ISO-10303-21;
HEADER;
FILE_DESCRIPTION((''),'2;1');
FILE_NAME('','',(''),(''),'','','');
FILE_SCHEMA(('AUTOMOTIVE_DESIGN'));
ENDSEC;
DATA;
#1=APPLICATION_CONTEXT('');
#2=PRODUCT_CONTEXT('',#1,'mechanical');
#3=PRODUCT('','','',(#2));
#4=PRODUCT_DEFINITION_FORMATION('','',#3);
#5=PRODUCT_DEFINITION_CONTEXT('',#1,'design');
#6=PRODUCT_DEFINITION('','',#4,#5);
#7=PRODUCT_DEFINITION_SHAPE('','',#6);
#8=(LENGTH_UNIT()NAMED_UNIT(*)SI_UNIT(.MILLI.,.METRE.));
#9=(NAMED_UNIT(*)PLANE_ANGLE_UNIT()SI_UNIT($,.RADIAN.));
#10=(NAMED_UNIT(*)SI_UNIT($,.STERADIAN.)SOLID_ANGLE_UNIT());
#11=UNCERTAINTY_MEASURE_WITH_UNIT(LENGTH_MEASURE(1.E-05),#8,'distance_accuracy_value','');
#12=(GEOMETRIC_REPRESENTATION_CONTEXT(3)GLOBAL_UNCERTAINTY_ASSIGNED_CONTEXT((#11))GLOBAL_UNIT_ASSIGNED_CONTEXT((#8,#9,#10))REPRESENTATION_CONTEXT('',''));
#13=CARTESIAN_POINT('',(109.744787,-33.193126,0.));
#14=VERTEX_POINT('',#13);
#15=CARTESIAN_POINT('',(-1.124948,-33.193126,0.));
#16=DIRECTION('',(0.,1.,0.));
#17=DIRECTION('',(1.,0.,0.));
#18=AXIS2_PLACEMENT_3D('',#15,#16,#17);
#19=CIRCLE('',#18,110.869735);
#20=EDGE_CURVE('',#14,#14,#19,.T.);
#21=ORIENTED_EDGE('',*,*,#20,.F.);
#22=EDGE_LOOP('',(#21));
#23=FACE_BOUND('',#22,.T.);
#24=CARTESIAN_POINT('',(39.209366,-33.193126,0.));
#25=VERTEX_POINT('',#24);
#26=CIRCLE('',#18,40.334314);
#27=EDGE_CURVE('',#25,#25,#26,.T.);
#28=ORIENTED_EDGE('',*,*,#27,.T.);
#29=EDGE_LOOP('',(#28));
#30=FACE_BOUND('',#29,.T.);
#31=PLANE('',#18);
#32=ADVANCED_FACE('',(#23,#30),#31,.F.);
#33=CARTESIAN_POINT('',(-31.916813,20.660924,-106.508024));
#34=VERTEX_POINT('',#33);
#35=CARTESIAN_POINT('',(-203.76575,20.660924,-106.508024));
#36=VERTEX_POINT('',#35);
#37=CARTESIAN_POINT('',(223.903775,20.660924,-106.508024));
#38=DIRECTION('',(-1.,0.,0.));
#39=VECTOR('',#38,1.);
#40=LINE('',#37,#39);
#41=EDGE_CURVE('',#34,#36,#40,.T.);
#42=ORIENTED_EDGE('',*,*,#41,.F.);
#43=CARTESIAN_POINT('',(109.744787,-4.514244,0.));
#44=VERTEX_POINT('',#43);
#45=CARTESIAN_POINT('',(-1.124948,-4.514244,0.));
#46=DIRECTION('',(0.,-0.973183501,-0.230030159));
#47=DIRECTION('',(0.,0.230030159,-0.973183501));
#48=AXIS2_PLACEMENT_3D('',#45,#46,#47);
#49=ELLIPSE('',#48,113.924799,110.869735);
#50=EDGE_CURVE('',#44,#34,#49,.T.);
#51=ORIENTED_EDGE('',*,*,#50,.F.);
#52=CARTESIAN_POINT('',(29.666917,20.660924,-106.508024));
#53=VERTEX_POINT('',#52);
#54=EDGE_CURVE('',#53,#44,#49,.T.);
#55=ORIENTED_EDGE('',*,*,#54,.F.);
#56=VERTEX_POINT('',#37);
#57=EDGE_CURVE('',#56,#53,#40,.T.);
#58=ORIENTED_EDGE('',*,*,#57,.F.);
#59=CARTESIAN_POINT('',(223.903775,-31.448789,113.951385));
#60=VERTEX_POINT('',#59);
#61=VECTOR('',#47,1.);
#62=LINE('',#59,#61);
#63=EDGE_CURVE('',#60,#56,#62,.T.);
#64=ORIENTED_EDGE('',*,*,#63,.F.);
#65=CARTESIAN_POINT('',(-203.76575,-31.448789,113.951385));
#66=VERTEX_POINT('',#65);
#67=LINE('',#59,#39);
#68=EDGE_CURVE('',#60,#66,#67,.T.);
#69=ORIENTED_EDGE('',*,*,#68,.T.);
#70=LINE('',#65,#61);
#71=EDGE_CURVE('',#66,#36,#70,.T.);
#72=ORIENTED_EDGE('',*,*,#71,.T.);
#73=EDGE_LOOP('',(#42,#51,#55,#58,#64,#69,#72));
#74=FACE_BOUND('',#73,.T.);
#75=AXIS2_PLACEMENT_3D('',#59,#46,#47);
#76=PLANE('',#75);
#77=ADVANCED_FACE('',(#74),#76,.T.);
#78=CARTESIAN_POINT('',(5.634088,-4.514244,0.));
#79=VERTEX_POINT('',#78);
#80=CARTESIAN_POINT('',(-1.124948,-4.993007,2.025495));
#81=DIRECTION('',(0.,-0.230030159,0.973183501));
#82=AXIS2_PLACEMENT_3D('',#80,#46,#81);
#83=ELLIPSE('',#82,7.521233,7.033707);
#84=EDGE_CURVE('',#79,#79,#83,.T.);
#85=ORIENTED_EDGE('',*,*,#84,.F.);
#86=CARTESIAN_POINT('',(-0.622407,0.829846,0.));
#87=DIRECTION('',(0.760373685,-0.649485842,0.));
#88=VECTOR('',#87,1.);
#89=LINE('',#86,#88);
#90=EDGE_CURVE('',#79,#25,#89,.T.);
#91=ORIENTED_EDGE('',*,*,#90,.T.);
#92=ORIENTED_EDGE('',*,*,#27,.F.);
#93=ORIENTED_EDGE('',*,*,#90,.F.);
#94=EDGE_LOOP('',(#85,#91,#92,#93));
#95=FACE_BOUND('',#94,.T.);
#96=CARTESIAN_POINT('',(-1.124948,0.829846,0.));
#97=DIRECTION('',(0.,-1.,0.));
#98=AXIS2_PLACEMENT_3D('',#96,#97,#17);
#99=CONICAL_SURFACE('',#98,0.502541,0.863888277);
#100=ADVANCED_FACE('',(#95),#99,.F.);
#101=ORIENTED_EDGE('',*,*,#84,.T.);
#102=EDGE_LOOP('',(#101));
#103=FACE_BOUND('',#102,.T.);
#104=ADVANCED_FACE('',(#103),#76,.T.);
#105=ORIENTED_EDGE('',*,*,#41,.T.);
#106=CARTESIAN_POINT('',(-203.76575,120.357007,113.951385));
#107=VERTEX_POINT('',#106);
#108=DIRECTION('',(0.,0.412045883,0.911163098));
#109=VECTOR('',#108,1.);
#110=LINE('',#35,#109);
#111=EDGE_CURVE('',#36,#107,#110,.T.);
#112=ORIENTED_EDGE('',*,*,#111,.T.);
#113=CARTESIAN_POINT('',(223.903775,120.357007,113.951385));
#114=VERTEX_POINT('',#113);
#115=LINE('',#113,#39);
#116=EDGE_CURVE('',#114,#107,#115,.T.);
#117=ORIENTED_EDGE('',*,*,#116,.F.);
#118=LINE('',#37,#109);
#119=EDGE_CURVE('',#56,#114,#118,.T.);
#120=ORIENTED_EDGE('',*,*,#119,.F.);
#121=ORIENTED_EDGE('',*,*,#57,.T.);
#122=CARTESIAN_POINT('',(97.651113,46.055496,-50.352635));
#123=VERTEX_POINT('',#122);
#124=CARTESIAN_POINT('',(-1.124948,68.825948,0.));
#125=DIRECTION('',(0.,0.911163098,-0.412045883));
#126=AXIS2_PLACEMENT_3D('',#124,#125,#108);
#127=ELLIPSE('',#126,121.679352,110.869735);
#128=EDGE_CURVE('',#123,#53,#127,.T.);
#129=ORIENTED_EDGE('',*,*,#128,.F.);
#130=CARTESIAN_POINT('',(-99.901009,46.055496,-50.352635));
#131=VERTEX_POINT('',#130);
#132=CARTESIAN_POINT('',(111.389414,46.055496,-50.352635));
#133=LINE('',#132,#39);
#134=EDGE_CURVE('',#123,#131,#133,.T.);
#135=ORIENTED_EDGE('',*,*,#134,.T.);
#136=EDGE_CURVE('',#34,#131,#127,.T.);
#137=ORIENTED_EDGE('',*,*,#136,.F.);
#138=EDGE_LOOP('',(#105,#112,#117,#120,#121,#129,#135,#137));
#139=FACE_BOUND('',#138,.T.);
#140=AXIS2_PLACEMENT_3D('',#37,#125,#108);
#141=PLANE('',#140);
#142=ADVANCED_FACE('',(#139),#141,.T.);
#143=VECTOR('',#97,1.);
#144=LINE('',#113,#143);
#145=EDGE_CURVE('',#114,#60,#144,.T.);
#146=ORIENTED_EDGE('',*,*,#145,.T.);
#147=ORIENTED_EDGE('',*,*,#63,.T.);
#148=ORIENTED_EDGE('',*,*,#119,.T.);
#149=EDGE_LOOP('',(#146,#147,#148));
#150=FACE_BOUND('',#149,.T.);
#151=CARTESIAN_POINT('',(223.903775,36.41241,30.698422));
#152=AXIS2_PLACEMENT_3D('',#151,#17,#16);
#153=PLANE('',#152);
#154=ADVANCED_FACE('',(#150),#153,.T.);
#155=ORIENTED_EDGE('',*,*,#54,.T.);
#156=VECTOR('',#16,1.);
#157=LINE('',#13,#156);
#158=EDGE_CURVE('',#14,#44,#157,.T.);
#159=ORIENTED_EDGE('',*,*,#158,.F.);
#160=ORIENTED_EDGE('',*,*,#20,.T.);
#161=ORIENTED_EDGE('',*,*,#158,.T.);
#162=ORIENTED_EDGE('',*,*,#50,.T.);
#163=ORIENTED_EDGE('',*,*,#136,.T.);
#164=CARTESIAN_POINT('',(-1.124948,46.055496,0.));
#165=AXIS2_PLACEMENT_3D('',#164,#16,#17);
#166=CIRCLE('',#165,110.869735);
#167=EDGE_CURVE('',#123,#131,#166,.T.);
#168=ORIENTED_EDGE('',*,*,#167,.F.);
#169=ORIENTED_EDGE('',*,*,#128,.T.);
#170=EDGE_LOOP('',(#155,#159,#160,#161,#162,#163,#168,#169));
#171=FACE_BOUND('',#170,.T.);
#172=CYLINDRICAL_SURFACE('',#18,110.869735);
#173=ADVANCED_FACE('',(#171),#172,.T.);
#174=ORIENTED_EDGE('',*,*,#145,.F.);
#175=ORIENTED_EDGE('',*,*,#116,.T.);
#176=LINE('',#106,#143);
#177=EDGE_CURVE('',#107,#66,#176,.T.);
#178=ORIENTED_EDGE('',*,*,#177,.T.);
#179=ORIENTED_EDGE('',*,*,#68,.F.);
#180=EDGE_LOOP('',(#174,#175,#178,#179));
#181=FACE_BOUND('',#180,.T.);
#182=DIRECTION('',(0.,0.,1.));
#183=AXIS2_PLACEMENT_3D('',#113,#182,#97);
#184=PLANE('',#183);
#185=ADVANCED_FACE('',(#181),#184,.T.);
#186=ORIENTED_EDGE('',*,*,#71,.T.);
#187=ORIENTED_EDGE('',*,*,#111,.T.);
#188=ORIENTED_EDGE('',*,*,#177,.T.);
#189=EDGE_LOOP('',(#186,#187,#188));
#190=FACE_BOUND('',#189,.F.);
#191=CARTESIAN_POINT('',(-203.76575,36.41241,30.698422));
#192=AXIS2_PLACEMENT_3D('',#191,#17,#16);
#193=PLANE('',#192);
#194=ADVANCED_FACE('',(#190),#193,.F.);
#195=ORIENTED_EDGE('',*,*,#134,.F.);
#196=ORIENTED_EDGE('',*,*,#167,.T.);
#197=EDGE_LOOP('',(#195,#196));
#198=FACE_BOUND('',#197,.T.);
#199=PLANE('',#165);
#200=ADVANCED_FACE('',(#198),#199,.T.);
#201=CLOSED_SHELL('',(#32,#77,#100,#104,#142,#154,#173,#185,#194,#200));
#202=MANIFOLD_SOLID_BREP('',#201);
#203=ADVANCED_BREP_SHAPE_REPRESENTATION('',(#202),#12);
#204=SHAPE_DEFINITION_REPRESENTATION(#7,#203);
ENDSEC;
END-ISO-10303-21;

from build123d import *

# Parameters (mm, degrees)
F5_DEPTH = 427.669525


with BuildPart() as f2:
    # F0 (on Top) → F2 (revolve)
    with BuildSketch(Plane.XY):
        Polygon((46.470374, 46.055496), (-0.622407, 0.829846), (39.209366, -33.193126), (109.744787, -33.193126), (109.744787, 46.055496), align=None)
    revolve(axis=Axis((-1.124948, 46.980426, 0), (0, 1, 0)))

    # F4 (on offset) → F5 (join)
    with BuildSketch(Plane.YZ.offset(223.903775)):
        Polygon((120.357007, 113.951385), (-31.448789, 113.951385), (20.660924, -106.508024), align=None)
    extrude(amount=-F5_DEPTH)


solid = f2.part
